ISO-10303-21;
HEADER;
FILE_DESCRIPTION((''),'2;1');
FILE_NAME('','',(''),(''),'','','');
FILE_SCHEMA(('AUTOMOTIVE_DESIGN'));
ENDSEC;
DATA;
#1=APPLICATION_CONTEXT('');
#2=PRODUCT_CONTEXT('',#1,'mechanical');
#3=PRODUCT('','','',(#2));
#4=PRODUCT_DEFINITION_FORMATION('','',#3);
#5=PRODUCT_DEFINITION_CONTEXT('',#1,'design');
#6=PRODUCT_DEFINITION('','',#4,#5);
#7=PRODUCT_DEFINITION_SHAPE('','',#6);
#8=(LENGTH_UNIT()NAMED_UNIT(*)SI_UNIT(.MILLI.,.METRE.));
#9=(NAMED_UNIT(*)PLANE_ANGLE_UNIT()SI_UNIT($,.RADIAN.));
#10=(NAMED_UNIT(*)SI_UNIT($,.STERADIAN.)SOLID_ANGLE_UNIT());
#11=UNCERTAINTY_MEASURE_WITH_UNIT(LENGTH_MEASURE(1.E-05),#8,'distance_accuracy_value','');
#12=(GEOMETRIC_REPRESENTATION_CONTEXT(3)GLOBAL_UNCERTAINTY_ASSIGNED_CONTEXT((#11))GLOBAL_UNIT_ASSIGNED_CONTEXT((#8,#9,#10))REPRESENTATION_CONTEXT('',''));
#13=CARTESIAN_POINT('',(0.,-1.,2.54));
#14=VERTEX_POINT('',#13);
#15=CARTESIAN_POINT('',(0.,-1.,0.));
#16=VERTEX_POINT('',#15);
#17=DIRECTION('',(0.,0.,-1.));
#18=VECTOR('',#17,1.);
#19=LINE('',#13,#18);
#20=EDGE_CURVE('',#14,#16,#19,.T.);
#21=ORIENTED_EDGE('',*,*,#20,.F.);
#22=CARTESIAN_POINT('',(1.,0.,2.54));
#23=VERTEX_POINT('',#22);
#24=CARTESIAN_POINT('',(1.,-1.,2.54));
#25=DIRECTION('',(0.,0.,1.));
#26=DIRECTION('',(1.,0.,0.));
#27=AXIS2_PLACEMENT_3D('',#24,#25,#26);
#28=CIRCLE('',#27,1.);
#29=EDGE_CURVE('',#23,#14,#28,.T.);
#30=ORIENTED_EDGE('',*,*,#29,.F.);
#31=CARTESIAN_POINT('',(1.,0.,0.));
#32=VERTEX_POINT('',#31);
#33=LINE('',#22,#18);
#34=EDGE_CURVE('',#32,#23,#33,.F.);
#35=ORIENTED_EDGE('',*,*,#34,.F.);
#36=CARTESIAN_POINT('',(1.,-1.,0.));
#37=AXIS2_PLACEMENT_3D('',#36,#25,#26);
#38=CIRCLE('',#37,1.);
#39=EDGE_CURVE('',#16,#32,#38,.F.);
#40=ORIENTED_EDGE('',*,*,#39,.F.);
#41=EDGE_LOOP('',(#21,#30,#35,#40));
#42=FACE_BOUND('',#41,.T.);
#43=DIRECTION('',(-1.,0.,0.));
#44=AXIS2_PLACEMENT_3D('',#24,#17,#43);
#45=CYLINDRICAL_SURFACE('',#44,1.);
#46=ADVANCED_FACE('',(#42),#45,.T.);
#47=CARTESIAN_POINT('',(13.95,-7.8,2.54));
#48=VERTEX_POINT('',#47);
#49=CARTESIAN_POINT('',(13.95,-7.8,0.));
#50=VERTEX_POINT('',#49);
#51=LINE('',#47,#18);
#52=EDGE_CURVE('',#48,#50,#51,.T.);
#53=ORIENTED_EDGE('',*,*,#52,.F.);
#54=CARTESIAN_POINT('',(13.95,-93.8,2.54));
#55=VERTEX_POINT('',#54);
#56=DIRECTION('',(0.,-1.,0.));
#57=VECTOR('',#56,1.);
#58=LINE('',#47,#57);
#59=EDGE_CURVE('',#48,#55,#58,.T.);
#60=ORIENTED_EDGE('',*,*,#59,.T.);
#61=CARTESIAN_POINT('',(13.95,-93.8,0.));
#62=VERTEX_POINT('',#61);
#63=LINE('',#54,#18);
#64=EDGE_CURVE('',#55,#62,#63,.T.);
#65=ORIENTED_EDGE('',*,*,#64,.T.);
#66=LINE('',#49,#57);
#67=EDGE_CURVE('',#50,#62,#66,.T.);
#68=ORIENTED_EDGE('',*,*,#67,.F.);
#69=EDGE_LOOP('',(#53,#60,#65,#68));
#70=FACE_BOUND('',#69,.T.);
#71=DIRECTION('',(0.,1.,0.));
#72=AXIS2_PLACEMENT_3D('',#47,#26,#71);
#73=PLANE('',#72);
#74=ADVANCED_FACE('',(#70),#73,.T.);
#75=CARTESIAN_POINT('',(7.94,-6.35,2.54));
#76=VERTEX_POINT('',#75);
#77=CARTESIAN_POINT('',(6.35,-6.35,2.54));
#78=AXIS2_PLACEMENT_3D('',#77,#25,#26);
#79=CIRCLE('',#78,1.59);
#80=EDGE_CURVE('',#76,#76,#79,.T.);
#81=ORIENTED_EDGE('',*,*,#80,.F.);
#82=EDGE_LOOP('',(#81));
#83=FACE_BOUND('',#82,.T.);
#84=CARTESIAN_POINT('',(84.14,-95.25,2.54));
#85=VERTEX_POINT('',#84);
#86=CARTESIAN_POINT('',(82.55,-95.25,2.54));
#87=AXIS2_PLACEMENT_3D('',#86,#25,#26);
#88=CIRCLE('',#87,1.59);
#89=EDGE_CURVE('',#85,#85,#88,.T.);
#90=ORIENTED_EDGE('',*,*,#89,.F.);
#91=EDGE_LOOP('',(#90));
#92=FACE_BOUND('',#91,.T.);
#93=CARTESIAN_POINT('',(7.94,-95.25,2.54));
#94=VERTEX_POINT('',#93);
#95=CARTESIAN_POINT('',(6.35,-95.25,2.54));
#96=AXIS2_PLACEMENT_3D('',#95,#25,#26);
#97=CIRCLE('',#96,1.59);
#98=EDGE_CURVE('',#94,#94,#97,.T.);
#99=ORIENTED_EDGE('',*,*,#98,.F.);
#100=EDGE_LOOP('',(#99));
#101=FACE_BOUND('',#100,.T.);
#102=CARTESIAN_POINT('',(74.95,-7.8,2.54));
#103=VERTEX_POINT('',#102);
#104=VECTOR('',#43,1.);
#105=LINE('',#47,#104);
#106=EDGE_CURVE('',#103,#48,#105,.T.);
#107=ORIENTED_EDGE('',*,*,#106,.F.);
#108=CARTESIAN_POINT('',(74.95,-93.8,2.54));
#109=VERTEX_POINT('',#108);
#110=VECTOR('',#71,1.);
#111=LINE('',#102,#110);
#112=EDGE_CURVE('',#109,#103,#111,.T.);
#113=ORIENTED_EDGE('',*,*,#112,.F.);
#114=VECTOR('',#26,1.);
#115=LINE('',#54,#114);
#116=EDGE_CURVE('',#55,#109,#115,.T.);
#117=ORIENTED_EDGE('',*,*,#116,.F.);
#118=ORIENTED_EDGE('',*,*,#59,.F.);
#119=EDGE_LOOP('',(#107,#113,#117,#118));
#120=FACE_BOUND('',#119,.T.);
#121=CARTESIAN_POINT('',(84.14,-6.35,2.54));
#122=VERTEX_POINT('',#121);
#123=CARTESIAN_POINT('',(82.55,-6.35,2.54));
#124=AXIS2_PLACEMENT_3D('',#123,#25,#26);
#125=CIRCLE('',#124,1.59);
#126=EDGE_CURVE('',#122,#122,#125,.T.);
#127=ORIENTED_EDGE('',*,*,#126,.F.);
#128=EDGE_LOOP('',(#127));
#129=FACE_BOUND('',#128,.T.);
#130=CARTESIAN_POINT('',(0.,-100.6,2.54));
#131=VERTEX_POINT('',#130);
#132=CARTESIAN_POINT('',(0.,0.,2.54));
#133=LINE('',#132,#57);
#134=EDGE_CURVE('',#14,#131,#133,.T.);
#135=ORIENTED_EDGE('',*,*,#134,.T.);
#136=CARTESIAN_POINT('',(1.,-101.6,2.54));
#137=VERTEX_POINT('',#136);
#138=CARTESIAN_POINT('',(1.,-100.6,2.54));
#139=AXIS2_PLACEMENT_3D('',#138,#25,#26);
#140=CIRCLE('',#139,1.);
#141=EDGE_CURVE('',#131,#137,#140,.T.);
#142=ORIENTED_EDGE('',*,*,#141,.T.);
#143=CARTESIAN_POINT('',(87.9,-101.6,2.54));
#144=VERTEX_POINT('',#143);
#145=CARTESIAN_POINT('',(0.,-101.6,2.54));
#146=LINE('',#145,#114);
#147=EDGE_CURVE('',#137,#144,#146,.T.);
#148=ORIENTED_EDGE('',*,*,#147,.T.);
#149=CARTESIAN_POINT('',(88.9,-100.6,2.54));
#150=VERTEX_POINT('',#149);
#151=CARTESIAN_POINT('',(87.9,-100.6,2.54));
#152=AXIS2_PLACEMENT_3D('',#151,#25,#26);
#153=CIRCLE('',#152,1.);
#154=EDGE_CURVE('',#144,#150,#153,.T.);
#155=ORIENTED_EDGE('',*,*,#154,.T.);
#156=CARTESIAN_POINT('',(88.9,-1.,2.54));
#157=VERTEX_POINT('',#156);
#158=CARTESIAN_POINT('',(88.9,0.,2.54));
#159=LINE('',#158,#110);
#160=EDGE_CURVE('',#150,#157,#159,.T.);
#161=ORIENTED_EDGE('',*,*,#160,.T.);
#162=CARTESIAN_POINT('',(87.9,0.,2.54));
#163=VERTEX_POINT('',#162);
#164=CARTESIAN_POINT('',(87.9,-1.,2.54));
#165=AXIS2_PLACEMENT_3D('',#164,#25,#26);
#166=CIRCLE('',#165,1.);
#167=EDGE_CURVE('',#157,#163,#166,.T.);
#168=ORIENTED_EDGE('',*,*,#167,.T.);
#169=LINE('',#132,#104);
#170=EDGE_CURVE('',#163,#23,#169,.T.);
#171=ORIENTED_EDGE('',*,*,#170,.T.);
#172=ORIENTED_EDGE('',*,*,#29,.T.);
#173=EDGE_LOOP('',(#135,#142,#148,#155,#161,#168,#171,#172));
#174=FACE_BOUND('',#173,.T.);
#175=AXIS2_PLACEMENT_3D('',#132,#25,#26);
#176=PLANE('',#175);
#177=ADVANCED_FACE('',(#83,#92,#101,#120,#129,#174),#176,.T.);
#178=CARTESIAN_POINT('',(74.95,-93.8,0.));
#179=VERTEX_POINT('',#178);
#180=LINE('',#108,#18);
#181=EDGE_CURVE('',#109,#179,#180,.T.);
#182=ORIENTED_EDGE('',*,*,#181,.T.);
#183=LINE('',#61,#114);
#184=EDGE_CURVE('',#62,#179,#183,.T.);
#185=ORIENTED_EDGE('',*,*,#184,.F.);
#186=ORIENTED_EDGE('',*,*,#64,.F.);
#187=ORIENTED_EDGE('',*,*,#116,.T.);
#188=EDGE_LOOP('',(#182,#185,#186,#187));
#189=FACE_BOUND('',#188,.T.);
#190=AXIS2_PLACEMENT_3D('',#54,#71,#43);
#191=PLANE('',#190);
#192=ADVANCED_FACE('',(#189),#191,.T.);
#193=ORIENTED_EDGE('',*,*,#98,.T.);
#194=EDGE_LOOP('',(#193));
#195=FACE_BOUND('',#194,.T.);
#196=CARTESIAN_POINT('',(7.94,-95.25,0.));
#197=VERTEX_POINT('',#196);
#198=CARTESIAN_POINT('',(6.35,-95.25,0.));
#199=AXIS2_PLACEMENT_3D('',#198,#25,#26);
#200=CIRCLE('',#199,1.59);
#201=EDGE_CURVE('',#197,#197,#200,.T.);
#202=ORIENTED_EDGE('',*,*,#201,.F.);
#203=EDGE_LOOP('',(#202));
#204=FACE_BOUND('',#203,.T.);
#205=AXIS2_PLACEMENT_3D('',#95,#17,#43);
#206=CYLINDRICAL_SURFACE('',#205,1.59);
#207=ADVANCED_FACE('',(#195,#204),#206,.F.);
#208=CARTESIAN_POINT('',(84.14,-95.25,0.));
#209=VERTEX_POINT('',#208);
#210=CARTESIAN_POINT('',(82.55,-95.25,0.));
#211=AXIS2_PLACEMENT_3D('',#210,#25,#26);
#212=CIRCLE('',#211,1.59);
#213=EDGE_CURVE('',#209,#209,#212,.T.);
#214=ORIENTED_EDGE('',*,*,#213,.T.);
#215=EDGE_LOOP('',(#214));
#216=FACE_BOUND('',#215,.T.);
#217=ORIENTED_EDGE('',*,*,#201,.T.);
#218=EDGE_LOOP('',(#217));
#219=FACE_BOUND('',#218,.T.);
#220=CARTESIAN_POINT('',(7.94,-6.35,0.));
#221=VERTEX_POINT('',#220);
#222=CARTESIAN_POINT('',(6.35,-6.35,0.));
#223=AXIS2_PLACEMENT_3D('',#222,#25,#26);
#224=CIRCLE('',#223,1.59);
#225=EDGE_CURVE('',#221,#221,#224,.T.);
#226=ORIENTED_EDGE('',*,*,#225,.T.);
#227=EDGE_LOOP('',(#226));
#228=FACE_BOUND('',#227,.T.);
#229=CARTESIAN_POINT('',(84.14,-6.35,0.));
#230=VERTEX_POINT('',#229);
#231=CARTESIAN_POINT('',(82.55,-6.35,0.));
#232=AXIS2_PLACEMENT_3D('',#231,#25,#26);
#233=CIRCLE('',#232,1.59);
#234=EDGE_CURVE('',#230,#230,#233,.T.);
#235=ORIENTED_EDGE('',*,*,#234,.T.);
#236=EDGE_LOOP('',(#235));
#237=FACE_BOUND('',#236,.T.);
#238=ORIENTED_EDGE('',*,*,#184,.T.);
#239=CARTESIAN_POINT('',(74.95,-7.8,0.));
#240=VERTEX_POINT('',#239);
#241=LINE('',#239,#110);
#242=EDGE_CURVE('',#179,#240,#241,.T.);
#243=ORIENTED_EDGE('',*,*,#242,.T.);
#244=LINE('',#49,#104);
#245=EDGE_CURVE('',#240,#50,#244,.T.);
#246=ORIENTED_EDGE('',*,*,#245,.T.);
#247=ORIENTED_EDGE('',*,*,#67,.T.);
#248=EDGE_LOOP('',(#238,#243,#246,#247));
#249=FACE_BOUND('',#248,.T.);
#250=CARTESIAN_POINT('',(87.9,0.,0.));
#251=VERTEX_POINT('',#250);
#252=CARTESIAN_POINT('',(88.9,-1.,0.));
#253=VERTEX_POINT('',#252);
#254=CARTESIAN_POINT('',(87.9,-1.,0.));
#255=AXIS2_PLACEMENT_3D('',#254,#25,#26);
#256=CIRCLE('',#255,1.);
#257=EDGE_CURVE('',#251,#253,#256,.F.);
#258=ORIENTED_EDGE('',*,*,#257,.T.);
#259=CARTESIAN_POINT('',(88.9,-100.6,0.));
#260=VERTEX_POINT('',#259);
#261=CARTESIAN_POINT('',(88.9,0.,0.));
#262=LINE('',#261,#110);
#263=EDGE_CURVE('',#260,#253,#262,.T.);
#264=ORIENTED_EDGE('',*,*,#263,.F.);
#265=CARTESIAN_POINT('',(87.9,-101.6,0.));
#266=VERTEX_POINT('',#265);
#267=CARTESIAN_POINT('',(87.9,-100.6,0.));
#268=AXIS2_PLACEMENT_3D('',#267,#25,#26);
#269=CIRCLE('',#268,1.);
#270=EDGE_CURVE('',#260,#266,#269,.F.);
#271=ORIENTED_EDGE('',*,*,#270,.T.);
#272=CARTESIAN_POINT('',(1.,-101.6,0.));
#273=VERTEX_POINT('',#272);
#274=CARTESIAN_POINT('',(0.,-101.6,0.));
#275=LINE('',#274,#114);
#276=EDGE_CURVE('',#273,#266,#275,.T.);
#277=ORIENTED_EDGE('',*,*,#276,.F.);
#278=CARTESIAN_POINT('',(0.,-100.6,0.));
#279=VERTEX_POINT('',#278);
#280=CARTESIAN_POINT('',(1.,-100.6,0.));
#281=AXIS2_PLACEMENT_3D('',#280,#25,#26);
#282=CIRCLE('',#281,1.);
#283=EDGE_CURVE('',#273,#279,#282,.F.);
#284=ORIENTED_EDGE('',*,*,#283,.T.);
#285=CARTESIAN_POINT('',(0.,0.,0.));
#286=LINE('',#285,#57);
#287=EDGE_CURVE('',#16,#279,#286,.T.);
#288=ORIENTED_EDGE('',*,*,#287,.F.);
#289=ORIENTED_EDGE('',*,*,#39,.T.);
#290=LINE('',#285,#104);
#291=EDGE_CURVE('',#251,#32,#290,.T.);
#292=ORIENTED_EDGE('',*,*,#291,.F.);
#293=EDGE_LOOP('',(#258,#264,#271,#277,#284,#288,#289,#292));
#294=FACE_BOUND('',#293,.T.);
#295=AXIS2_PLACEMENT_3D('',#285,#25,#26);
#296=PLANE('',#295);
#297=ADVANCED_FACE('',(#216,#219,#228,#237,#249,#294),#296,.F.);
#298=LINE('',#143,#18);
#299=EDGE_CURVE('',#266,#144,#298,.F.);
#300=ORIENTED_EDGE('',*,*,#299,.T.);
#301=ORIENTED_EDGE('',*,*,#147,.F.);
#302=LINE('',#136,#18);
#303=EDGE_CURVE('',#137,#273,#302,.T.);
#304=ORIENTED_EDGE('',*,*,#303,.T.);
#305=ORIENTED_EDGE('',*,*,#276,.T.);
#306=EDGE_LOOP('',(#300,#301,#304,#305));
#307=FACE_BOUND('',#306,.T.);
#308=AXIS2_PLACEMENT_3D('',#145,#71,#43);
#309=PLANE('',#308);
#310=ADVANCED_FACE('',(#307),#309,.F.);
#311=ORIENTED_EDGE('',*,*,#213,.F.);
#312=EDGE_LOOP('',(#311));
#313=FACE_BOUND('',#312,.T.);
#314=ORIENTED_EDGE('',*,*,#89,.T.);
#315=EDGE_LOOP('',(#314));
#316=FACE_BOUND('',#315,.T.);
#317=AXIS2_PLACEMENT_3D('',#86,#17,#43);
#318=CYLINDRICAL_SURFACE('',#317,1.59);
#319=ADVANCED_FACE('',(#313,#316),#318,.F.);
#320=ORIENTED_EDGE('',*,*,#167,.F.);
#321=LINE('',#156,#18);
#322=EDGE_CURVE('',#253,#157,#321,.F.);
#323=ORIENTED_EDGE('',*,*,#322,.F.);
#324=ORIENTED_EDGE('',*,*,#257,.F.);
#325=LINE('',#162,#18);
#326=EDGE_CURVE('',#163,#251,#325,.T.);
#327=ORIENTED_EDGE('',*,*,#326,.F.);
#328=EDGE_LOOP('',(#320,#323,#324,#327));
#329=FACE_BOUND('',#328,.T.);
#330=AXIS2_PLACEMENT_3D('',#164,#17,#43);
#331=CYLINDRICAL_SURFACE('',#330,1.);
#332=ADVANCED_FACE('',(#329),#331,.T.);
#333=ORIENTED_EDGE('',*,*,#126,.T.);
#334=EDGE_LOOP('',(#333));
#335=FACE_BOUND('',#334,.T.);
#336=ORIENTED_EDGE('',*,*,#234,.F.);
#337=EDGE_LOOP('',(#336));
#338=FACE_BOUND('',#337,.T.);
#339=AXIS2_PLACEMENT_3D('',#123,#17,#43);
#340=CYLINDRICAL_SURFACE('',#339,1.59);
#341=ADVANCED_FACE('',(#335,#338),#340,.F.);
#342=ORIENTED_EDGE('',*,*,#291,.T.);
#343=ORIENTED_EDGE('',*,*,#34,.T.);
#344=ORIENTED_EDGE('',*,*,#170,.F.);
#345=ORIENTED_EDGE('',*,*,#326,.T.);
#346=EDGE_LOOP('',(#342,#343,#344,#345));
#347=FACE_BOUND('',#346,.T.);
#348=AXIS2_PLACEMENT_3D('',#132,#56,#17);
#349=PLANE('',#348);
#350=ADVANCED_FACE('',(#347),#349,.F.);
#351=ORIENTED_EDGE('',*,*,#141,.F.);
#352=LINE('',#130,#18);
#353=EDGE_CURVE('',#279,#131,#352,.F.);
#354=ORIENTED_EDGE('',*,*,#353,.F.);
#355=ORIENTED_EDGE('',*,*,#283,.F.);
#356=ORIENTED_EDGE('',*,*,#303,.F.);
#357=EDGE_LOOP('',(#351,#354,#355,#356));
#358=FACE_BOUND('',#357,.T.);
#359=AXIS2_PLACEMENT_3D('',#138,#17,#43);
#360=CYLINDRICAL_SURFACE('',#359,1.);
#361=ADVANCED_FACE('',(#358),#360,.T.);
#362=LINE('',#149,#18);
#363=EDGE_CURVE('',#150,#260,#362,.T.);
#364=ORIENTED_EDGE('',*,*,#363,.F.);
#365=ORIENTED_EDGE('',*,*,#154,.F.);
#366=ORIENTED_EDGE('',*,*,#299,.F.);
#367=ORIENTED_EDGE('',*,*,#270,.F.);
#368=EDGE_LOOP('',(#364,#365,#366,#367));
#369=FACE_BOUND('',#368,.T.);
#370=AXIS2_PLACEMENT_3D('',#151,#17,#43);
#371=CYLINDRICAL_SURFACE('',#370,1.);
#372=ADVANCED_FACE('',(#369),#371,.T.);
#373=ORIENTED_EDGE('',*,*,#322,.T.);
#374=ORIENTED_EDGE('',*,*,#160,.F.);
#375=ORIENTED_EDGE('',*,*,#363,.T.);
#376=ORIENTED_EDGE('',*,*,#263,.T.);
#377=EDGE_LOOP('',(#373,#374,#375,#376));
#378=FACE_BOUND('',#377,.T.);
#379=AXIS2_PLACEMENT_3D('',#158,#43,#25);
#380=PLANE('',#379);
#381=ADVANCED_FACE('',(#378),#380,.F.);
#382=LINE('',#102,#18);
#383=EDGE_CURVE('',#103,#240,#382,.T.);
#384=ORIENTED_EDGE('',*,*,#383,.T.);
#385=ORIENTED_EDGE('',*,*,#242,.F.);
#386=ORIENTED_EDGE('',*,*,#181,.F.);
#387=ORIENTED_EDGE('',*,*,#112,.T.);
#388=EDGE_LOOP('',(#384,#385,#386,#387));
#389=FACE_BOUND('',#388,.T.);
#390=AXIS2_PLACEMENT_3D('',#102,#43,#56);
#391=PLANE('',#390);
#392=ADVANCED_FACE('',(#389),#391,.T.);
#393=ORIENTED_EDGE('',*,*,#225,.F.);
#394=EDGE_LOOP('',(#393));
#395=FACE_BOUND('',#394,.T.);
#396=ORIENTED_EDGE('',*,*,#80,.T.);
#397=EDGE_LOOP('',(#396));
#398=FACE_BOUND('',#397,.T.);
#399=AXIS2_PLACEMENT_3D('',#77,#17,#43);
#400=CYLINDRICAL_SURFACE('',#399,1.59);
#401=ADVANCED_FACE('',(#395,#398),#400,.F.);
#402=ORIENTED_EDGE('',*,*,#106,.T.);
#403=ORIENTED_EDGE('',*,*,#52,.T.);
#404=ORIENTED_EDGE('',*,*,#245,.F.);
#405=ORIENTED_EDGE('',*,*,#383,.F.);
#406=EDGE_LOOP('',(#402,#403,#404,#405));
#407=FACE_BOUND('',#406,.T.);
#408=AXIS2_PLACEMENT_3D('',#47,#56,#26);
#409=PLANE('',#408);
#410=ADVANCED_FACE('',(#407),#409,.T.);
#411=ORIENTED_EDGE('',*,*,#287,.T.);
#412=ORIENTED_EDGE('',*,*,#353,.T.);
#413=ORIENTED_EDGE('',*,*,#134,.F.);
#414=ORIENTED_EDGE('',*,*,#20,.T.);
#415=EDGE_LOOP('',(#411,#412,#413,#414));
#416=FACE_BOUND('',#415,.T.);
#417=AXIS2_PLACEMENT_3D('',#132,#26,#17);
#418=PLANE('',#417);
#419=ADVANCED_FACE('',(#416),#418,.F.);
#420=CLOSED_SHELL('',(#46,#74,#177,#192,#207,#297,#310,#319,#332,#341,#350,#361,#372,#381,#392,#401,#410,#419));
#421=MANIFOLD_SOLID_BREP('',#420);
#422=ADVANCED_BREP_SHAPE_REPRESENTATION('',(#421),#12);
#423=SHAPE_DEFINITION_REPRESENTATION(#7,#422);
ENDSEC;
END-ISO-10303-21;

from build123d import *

# Parameters (mm, degrees)
SKETCH1_W           = 88.9
SKETCH1_H           = 101.6
SKETCH1_R           = 1.59
SKETCH1_W_2         = 61
SKETCH1_H_2         = 86
BOSS_EXTRUDE1_DEPTH = 2.54
FILLET1_R           = 1


with BuildPart() as part:
    # Sketch1 → Boss-Extrude1 (new body)
    with BuildSketch(Plane.XY):
        with Locations((44.45, -50.8)):
            Rectangle(SKETCH1_W, SKETCH1_H)
        with Locations((6.35, -6.35)):
            Circle(SKETCH1_R, mode=Mode.SUBTRACT)
        with Locations((82.55, -6.35)):
            Circle(SKETCH1_R, mode=Mode.SUBTRACT)
        with Locations((6.35, -95.25)):
            Circle(SKETCH1_R, mode=Mode.SUBTRACT)
        with Locations((82.55, -95.25)):
            Circle(SKETCH1_R, mode=Mode.SUBTRACT)
        with Locations((44.45, -50.8)):
            Rectangle(SKETCH1_W_2, SKETCH1_H_2, mode=Mode.SUBTRACT)
    extrude(amount=BOSS_EXTRUDE1_DEPTH)

    # Fillet1
    fillet1_edges = [part.edges().sort_by_distance(p)[0] for p in [
        (0, 0, 1.27),
        (88.9, 0, 1.27),
        (88.9, -101.6, 1.27),
        (0, -101.6, 1.27),
    ]]
    fillet(fillet1_edges, radius=FILLET1_R)


solid = part.part
